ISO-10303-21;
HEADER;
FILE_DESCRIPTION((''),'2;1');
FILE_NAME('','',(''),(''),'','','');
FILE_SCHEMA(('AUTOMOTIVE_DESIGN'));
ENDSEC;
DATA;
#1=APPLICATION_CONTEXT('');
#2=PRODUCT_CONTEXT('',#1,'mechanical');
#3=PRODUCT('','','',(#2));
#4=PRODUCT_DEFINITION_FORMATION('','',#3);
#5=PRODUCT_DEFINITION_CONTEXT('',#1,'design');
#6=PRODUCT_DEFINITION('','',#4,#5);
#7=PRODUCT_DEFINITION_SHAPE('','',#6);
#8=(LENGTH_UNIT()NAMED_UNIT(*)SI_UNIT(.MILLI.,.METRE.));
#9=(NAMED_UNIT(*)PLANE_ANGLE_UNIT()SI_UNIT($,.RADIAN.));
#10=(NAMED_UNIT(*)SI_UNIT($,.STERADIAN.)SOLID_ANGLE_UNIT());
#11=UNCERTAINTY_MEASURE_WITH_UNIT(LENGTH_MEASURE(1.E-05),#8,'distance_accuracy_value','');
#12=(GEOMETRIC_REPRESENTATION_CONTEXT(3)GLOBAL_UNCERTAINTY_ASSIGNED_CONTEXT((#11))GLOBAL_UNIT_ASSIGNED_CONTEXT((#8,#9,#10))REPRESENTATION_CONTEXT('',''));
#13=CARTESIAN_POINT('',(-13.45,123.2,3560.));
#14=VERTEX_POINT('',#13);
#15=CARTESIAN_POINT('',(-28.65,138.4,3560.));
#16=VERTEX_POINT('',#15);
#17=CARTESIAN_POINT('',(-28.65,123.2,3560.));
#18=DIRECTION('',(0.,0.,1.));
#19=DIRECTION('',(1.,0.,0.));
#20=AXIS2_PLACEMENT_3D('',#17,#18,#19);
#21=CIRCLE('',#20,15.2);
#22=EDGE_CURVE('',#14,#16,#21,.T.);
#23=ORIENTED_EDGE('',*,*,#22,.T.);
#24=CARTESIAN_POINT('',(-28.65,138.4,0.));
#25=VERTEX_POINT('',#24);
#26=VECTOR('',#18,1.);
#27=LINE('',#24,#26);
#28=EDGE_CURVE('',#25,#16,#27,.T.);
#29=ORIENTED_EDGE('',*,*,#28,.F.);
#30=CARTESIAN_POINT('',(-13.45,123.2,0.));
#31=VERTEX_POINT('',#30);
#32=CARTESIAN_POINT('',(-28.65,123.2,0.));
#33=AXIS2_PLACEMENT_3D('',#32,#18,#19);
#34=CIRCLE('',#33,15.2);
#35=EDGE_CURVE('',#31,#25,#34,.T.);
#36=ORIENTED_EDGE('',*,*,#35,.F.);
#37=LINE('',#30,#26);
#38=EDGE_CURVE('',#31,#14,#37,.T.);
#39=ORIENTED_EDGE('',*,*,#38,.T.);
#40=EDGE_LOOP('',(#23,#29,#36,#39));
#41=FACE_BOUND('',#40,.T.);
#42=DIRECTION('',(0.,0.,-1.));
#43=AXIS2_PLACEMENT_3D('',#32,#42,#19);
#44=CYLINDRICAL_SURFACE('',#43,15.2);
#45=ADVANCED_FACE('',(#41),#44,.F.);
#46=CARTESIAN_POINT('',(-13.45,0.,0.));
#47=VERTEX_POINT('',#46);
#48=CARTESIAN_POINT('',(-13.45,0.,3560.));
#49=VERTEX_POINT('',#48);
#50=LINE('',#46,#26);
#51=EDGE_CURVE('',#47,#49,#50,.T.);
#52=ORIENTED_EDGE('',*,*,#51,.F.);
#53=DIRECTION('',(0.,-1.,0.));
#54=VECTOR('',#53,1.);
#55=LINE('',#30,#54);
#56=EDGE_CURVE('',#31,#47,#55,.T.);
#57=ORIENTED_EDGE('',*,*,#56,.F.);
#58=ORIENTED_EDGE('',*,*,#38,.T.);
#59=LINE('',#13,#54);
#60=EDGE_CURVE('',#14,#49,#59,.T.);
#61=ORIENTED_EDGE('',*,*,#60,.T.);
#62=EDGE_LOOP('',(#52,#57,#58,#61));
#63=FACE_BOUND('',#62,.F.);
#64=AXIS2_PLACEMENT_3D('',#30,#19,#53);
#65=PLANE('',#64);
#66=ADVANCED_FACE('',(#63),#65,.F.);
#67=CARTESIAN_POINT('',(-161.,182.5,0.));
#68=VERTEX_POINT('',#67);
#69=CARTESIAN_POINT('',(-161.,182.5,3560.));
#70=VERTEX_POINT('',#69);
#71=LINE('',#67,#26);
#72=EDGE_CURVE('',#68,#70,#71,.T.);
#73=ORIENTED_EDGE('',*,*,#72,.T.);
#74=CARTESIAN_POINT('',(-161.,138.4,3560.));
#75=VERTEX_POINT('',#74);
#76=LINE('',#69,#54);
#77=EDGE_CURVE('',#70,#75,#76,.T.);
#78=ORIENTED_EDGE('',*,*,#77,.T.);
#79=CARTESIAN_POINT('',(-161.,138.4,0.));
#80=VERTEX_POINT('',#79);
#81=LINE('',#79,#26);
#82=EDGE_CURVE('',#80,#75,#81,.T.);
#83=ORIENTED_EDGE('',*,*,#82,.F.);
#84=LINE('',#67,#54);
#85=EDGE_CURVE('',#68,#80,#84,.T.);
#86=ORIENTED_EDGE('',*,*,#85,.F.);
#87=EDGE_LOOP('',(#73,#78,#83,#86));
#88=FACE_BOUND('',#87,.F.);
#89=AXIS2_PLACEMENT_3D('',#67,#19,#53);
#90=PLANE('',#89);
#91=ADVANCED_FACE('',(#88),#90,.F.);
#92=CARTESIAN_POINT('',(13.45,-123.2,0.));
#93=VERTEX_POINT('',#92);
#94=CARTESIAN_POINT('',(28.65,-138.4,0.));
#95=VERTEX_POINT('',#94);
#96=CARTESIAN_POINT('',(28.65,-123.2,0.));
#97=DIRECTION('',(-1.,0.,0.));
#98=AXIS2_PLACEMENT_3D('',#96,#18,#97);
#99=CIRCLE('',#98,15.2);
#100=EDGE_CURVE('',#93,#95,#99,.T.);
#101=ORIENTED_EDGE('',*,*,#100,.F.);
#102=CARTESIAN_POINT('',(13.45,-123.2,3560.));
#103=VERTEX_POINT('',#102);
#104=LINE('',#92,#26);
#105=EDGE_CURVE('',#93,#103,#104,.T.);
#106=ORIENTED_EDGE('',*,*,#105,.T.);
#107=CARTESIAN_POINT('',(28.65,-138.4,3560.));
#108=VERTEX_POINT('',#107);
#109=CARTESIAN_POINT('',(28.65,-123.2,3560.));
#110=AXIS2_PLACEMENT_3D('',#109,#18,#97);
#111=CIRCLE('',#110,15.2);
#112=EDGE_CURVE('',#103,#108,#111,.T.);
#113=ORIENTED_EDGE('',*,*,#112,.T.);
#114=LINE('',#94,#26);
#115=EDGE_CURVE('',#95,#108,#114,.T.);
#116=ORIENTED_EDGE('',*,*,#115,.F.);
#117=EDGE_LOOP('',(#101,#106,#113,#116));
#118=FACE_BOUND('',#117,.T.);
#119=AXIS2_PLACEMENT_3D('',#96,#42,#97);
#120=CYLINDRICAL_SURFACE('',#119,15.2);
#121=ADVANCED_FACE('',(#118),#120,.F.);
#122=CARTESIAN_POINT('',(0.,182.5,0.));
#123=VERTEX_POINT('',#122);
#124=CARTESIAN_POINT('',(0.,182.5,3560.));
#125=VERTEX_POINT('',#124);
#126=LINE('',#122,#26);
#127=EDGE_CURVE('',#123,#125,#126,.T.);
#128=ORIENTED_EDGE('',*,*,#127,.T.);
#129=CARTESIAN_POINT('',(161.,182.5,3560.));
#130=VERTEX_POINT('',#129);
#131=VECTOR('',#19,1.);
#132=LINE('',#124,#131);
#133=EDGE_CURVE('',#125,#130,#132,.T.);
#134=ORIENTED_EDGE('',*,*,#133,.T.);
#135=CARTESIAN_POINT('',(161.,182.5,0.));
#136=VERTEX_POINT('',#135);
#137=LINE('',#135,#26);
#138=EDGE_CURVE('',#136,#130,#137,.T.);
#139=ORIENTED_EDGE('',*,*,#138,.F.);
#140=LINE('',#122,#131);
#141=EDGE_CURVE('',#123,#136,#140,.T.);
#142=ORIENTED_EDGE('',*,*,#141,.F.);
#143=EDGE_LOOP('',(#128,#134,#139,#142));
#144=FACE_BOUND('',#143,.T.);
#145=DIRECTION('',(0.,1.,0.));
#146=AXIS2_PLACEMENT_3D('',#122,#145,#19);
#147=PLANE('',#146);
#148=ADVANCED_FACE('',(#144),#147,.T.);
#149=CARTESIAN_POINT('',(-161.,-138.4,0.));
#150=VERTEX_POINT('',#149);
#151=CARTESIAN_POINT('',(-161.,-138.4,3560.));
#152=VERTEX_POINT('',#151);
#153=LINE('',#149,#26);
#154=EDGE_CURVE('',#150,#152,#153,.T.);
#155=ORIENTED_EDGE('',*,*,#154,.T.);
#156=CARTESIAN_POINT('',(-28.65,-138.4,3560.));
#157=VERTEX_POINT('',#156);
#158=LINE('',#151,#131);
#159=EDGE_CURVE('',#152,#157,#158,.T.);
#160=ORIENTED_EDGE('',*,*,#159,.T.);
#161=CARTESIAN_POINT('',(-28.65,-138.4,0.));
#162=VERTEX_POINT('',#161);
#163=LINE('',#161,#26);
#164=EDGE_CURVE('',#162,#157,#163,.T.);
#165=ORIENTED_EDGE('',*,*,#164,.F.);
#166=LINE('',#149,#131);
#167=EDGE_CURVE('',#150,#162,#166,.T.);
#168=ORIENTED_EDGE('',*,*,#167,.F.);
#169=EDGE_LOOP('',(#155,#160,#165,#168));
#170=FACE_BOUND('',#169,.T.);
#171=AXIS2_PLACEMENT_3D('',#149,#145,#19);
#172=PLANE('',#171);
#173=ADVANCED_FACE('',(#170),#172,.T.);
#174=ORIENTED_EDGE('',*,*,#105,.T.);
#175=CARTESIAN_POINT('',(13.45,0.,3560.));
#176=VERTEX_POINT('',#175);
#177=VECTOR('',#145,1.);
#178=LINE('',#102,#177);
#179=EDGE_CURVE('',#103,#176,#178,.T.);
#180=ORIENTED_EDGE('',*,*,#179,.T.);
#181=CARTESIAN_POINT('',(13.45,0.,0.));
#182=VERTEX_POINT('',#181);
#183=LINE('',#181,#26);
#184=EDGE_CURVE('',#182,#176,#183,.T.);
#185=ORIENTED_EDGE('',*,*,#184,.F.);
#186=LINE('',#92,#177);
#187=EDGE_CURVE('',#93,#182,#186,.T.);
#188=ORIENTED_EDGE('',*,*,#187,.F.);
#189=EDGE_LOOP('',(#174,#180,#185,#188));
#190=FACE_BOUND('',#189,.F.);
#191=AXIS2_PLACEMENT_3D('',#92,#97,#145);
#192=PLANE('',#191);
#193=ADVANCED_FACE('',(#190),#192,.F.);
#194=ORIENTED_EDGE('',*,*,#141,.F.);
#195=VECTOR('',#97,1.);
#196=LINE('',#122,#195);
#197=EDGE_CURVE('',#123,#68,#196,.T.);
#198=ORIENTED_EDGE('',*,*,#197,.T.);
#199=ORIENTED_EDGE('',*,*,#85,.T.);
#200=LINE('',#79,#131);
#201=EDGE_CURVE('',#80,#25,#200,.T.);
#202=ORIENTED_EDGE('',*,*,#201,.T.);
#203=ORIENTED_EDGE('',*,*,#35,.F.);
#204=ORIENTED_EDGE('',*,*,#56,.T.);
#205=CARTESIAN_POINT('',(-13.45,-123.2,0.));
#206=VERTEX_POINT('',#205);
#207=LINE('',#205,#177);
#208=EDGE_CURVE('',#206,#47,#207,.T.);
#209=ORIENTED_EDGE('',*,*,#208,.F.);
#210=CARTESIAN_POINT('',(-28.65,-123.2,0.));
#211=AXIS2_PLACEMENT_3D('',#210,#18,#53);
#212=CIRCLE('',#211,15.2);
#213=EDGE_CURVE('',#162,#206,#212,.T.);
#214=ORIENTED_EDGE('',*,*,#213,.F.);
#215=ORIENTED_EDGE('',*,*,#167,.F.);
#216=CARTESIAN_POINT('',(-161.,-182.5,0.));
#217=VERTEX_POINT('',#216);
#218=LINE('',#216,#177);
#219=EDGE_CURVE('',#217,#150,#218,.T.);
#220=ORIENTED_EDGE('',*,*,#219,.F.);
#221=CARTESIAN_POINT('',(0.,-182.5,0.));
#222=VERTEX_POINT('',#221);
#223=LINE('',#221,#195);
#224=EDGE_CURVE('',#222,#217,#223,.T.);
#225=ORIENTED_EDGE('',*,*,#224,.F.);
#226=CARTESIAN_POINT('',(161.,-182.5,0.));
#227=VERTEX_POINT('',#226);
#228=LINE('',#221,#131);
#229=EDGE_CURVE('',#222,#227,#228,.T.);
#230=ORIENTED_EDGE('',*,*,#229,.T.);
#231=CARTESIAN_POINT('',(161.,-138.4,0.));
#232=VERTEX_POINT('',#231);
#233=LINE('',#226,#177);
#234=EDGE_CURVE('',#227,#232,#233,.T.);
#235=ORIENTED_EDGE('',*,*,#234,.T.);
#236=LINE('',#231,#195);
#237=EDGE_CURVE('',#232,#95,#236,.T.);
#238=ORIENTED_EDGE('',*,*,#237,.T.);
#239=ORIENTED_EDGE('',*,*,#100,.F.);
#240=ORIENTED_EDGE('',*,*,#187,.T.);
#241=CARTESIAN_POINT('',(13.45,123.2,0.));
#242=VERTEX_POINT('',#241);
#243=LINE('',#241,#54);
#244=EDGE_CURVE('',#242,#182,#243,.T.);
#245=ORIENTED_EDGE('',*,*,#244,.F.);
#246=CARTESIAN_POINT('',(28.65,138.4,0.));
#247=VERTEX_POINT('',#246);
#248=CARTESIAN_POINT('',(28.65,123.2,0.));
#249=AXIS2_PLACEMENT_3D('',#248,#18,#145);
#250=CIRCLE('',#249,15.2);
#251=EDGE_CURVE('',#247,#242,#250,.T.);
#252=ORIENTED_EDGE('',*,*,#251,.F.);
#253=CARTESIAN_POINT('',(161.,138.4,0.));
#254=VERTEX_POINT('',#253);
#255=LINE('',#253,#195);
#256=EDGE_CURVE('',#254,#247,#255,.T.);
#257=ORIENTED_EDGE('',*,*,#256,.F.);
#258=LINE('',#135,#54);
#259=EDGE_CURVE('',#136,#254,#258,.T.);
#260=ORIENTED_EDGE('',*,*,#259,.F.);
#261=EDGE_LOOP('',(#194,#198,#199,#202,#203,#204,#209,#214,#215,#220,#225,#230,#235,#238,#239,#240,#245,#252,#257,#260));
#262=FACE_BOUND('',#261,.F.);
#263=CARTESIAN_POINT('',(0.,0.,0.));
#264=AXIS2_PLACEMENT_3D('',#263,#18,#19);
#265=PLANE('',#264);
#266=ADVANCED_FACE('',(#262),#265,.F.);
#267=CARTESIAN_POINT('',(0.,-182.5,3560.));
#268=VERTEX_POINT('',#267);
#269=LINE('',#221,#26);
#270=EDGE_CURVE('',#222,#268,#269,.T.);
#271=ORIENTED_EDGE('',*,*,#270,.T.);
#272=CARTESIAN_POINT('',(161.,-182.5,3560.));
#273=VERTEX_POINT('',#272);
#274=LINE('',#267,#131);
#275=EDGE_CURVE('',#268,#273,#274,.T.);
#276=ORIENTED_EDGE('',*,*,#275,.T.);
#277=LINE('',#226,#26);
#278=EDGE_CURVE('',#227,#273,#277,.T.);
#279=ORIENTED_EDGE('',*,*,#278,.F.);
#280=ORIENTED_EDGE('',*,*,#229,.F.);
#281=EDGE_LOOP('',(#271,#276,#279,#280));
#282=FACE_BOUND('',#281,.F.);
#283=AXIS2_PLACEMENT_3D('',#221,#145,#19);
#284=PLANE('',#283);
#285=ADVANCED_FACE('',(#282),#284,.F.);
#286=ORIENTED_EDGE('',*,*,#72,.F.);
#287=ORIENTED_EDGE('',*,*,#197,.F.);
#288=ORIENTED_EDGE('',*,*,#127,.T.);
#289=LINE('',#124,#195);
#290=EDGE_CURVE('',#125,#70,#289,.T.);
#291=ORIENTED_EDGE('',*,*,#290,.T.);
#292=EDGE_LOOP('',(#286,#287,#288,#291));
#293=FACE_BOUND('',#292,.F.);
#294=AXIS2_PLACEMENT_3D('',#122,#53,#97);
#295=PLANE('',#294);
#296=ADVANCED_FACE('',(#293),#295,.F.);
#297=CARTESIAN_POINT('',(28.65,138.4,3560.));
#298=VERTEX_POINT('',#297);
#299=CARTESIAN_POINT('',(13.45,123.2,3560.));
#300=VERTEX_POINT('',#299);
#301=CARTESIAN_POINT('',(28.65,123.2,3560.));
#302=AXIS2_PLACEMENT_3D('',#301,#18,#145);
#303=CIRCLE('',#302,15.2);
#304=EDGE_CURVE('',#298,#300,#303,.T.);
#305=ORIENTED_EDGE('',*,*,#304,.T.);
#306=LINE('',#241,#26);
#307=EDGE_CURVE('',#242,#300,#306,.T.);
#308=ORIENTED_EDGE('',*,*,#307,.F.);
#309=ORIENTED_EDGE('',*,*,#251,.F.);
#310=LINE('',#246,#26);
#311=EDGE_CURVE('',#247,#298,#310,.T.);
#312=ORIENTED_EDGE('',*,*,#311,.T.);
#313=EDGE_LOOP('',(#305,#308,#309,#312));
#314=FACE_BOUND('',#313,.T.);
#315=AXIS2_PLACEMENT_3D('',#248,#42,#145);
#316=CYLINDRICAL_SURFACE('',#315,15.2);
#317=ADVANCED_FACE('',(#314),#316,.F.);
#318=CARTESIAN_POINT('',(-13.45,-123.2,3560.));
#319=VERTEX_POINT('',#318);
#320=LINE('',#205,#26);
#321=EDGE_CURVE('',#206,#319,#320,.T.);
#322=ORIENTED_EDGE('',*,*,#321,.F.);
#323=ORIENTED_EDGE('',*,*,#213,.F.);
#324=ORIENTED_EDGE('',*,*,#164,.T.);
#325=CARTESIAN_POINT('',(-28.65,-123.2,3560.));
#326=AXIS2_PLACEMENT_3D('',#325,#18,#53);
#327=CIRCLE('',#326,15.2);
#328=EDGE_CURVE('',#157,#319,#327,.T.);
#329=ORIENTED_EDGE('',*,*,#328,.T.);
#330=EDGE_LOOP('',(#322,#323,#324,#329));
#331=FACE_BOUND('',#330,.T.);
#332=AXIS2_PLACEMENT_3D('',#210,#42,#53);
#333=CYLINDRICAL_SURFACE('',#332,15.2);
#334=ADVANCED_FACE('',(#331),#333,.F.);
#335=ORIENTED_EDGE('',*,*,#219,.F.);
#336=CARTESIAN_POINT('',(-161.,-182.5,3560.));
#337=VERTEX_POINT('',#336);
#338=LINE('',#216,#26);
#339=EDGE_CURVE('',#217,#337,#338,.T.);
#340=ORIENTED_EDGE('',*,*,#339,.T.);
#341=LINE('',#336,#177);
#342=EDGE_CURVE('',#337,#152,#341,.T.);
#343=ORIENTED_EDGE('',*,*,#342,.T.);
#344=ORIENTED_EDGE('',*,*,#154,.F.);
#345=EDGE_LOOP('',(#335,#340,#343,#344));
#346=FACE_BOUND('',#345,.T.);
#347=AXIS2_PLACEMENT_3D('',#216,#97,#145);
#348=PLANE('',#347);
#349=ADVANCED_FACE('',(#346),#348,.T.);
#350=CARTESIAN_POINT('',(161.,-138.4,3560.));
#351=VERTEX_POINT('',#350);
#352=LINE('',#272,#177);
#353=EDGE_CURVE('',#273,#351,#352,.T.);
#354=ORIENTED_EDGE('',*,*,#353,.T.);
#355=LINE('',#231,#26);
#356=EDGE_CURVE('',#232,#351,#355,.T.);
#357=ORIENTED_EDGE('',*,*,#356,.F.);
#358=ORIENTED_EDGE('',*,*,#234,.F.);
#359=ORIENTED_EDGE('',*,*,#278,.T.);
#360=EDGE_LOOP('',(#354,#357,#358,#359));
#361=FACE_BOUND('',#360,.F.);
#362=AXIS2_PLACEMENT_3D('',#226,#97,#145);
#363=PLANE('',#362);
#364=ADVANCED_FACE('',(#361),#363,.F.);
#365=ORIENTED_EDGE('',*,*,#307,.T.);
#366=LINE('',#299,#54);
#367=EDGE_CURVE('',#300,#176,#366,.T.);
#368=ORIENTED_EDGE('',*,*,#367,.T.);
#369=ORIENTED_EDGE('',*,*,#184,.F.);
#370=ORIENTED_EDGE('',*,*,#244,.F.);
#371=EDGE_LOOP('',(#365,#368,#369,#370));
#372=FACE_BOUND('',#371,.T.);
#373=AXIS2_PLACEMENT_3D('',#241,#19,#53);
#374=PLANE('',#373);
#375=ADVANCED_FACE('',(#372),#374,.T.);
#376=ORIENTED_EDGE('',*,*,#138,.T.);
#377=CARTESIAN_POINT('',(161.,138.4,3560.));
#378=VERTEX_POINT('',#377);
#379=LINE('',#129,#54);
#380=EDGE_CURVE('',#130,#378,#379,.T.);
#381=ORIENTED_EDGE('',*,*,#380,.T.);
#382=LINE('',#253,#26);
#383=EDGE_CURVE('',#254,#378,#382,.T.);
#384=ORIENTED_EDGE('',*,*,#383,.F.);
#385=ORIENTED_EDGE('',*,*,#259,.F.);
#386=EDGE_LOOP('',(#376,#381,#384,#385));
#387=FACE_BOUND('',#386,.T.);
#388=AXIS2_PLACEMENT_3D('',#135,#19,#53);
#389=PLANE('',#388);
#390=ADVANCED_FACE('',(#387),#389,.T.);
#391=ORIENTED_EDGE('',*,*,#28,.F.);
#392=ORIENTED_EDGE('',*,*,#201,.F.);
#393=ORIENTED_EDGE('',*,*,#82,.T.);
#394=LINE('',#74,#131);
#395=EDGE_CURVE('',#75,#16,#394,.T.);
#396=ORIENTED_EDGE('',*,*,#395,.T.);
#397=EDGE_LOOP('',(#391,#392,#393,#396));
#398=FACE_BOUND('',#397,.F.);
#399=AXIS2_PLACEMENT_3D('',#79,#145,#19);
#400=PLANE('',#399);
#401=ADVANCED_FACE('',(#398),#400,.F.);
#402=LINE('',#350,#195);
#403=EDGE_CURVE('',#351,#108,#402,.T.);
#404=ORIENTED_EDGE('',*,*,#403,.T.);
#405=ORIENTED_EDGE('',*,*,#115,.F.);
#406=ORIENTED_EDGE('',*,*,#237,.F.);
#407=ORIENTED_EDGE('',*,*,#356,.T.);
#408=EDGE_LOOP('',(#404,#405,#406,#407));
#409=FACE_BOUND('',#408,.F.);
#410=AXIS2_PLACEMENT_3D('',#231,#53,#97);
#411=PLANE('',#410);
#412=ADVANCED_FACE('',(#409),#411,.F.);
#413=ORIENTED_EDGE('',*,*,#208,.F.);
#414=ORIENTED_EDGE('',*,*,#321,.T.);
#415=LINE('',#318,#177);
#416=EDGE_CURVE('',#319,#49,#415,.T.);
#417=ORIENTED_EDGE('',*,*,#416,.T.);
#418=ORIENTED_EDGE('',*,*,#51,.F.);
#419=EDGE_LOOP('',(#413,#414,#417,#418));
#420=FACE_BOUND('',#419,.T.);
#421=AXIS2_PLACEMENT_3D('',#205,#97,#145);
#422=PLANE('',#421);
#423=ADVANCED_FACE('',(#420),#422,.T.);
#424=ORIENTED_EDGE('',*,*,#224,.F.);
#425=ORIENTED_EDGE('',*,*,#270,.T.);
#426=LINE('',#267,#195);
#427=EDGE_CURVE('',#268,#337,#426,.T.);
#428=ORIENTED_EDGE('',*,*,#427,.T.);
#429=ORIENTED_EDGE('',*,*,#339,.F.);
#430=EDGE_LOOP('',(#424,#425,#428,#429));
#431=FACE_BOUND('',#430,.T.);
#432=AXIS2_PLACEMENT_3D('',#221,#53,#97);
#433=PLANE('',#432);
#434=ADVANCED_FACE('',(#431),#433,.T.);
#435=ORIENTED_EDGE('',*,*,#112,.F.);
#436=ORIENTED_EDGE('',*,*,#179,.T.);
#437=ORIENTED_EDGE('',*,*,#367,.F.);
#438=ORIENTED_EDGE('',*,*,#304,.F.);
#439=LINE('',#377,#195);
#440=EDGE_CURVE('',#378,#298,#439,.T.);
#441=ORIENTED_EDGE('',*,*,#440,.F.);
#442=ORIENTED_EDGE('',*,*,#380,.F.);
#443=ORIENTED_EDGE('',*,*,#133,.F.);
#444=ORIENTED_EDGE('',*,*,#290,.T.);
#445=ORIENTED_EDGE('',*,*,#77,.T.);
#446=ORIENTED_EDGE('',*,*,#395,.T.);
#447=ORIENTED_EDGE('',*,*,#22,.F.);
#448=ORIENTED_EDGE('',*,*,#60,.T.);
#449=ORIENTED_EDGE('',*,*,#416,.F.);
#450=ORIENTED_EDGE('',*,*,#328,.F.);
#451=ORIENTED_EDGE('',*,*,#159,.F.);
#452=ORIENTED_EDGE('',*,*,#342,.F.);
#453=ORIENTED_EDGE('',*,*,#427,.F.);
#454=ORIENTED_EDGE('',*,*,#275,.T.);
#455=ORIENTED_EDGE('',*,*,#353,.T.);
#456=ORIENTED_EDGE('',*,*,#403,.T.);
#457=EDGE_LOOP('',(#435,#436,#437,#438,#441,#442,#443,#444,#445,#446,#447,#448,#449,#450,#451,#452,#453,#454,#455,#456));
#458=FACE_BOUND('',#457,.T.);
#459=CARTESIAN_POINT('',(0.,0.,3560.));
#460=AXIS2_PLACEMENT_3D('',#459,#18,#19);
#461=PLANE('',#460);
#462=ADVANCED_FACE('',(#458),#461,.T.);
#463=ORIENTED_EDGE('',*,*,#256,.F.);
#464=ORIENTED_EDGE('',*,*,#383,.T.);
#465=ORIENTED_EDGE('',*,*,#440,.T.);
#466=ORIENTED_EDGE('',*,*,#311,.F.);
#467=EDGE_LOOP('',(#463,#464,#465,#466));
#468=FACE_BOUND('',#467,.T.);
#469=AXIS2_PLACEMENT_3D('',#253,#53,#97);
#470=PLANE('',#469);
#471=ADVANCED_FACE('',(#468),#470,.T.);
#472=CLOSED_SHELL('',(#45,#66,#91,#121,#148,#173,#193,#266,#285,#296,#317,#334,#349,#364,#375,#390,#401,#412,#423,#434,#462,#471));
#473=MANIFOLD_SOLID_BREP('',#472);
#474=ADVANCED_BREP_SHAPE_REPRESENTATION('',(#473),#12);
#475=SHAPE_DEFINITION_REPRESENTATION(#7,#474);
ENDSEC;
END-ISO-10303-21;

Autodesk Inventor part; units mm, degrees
ref_plane "YZ Plane" through (0, 0, 0) normal (1, 0, 0) x (0, 1, 0)
ref_plane "Start plane" through (0, 0, 0) normal (0, 0, 1) x (1, 0, 0)
ref_plane "End plane" through (0, 0, 3560) normal (0, 0, 1) x (1, 0, 0)
sketch "Sketch" plane through (0, 0, 0) normal (0, 0, 1) x (1, 0, 0)
  line L0 (-161, -182.5) -> (-161, -138.4)
  line L1 (-161, -138.4) -> (-28.65, -138.4)
  line L2 (-13.45, -123.2) -> (-13.45, 0)
  line L3 (-13.45, 0) -> (0, 0) construction
  line L4 (0, 0) -> (0, -182.5) construction
  line L5 (0, -182.5) -> (-161, -182.5)
  line L6 (-60, 0) -> (80, 0) construction
  line L7 (0, -60) -> (0, 80) construction
  line L8 (161, -182.5) -> (161, -138.4)
  line L9 (161, -138.4) -> (28.65, -138.4)
  line L10 (13.45, -123.2) -> (13.45, 0)
  line L11 (13.45, 0) -> (0, 0) construction
  line L12 (0, -182.5) -> (161, -182.5)
  line L13 (-161, 182.5) -> (-161, 138.4)
  line L14 (-161, 138.4) -> (-28.65, 138.4)
  line L15 (-13.45, 123.2) -> (-13.45, 0)
  line L16 (0, 182.5) -> (-161, 182.5)
  line L17 (161, 182.5) -> (161, 138.4)
  line L18 (161, 138.4) -> (28.65, 138.4)
  line L19 (0, 182.5) -> (161, 182.5)
  line L20 (13.45, 123.2) -> (13.45, 0)
  arc A0 (-13.45, 123.2) -> (-28.65, 138.4) centre (-28.65, 123.2) ccw
  arc A1 (28.65, 138.4) -> (13.45, 123.2) centre (28.65, 123.2) ccw
  arc A2 (13.45, -123.2) -> (28.65, -138.4) centre (28.65, -123.2) ccw
  arc A3 (-28.65, -138.4) -> (-13.45, -123.2) centre (-28.65, -123.2) ccw
  line L21 (0, 108) -> (0, -88) construction
  line L22 (-88, 0) -> (108, 0) construction
  point P0 (-13.45, -138.4)
  point P1 (13.45, -138.4)
  point P2 (-13.45, 138.4)
  point P3 (13.45, 138.4)
  dimension "d1" = 182.5
  dimension "d2" = 44.1
  dimension "d3" = 161
  dimension "d4" = 13.45
  dimension "d10" = 15.2
extrude "Body" add sketch "Sketch" along normal up to surface (3560 mm away) from surface at 0
sketch "Sketch4" plane through (0, 0, 0) normal (0, 0, 1) x (1, 0, 0)
  line L0 (0, 0) -> (10, 0)
ref_plane "Work Plane3" through (0, 0, 0) normal (0, -1, 0) x (1, 0, 0)
sketch "Sketch5" plane through (0, 0, 0) normal (0, -1, 0) x (1, 0, 0)
  line L0 (-2, 0) -> (12, 0) projected
  line L1 (-2, 3560) -> (12, 3560) projected
  dimension "d14" = 3560
equation "\"d1\" = 0.5 * G_H"
equation "\"d2\" = G_T1"
equation "\"d3\" = 0.5 * G_W"
equation "\"d4\" = 0.5 * G_T"
equation "\"d10\" = G_IR"
equation "\"d5\" = G_L"
equation "\"G_W\" = 322"
equation "\"G_H\" = 365"
equation "\"G_T\" = 26.9"
equation "\"G_T1\" = 44.1"
equation "\"G_IR\" = 15.2"
equation "\"G_L\" = d14"
equation "\"G_OFFSET_START\" = 0"
equation "\"G_OFFSET_END\" = 0"
properties part number "AS 3679 - 310 UC - 283 - 3560" material "Steel, Mild"
